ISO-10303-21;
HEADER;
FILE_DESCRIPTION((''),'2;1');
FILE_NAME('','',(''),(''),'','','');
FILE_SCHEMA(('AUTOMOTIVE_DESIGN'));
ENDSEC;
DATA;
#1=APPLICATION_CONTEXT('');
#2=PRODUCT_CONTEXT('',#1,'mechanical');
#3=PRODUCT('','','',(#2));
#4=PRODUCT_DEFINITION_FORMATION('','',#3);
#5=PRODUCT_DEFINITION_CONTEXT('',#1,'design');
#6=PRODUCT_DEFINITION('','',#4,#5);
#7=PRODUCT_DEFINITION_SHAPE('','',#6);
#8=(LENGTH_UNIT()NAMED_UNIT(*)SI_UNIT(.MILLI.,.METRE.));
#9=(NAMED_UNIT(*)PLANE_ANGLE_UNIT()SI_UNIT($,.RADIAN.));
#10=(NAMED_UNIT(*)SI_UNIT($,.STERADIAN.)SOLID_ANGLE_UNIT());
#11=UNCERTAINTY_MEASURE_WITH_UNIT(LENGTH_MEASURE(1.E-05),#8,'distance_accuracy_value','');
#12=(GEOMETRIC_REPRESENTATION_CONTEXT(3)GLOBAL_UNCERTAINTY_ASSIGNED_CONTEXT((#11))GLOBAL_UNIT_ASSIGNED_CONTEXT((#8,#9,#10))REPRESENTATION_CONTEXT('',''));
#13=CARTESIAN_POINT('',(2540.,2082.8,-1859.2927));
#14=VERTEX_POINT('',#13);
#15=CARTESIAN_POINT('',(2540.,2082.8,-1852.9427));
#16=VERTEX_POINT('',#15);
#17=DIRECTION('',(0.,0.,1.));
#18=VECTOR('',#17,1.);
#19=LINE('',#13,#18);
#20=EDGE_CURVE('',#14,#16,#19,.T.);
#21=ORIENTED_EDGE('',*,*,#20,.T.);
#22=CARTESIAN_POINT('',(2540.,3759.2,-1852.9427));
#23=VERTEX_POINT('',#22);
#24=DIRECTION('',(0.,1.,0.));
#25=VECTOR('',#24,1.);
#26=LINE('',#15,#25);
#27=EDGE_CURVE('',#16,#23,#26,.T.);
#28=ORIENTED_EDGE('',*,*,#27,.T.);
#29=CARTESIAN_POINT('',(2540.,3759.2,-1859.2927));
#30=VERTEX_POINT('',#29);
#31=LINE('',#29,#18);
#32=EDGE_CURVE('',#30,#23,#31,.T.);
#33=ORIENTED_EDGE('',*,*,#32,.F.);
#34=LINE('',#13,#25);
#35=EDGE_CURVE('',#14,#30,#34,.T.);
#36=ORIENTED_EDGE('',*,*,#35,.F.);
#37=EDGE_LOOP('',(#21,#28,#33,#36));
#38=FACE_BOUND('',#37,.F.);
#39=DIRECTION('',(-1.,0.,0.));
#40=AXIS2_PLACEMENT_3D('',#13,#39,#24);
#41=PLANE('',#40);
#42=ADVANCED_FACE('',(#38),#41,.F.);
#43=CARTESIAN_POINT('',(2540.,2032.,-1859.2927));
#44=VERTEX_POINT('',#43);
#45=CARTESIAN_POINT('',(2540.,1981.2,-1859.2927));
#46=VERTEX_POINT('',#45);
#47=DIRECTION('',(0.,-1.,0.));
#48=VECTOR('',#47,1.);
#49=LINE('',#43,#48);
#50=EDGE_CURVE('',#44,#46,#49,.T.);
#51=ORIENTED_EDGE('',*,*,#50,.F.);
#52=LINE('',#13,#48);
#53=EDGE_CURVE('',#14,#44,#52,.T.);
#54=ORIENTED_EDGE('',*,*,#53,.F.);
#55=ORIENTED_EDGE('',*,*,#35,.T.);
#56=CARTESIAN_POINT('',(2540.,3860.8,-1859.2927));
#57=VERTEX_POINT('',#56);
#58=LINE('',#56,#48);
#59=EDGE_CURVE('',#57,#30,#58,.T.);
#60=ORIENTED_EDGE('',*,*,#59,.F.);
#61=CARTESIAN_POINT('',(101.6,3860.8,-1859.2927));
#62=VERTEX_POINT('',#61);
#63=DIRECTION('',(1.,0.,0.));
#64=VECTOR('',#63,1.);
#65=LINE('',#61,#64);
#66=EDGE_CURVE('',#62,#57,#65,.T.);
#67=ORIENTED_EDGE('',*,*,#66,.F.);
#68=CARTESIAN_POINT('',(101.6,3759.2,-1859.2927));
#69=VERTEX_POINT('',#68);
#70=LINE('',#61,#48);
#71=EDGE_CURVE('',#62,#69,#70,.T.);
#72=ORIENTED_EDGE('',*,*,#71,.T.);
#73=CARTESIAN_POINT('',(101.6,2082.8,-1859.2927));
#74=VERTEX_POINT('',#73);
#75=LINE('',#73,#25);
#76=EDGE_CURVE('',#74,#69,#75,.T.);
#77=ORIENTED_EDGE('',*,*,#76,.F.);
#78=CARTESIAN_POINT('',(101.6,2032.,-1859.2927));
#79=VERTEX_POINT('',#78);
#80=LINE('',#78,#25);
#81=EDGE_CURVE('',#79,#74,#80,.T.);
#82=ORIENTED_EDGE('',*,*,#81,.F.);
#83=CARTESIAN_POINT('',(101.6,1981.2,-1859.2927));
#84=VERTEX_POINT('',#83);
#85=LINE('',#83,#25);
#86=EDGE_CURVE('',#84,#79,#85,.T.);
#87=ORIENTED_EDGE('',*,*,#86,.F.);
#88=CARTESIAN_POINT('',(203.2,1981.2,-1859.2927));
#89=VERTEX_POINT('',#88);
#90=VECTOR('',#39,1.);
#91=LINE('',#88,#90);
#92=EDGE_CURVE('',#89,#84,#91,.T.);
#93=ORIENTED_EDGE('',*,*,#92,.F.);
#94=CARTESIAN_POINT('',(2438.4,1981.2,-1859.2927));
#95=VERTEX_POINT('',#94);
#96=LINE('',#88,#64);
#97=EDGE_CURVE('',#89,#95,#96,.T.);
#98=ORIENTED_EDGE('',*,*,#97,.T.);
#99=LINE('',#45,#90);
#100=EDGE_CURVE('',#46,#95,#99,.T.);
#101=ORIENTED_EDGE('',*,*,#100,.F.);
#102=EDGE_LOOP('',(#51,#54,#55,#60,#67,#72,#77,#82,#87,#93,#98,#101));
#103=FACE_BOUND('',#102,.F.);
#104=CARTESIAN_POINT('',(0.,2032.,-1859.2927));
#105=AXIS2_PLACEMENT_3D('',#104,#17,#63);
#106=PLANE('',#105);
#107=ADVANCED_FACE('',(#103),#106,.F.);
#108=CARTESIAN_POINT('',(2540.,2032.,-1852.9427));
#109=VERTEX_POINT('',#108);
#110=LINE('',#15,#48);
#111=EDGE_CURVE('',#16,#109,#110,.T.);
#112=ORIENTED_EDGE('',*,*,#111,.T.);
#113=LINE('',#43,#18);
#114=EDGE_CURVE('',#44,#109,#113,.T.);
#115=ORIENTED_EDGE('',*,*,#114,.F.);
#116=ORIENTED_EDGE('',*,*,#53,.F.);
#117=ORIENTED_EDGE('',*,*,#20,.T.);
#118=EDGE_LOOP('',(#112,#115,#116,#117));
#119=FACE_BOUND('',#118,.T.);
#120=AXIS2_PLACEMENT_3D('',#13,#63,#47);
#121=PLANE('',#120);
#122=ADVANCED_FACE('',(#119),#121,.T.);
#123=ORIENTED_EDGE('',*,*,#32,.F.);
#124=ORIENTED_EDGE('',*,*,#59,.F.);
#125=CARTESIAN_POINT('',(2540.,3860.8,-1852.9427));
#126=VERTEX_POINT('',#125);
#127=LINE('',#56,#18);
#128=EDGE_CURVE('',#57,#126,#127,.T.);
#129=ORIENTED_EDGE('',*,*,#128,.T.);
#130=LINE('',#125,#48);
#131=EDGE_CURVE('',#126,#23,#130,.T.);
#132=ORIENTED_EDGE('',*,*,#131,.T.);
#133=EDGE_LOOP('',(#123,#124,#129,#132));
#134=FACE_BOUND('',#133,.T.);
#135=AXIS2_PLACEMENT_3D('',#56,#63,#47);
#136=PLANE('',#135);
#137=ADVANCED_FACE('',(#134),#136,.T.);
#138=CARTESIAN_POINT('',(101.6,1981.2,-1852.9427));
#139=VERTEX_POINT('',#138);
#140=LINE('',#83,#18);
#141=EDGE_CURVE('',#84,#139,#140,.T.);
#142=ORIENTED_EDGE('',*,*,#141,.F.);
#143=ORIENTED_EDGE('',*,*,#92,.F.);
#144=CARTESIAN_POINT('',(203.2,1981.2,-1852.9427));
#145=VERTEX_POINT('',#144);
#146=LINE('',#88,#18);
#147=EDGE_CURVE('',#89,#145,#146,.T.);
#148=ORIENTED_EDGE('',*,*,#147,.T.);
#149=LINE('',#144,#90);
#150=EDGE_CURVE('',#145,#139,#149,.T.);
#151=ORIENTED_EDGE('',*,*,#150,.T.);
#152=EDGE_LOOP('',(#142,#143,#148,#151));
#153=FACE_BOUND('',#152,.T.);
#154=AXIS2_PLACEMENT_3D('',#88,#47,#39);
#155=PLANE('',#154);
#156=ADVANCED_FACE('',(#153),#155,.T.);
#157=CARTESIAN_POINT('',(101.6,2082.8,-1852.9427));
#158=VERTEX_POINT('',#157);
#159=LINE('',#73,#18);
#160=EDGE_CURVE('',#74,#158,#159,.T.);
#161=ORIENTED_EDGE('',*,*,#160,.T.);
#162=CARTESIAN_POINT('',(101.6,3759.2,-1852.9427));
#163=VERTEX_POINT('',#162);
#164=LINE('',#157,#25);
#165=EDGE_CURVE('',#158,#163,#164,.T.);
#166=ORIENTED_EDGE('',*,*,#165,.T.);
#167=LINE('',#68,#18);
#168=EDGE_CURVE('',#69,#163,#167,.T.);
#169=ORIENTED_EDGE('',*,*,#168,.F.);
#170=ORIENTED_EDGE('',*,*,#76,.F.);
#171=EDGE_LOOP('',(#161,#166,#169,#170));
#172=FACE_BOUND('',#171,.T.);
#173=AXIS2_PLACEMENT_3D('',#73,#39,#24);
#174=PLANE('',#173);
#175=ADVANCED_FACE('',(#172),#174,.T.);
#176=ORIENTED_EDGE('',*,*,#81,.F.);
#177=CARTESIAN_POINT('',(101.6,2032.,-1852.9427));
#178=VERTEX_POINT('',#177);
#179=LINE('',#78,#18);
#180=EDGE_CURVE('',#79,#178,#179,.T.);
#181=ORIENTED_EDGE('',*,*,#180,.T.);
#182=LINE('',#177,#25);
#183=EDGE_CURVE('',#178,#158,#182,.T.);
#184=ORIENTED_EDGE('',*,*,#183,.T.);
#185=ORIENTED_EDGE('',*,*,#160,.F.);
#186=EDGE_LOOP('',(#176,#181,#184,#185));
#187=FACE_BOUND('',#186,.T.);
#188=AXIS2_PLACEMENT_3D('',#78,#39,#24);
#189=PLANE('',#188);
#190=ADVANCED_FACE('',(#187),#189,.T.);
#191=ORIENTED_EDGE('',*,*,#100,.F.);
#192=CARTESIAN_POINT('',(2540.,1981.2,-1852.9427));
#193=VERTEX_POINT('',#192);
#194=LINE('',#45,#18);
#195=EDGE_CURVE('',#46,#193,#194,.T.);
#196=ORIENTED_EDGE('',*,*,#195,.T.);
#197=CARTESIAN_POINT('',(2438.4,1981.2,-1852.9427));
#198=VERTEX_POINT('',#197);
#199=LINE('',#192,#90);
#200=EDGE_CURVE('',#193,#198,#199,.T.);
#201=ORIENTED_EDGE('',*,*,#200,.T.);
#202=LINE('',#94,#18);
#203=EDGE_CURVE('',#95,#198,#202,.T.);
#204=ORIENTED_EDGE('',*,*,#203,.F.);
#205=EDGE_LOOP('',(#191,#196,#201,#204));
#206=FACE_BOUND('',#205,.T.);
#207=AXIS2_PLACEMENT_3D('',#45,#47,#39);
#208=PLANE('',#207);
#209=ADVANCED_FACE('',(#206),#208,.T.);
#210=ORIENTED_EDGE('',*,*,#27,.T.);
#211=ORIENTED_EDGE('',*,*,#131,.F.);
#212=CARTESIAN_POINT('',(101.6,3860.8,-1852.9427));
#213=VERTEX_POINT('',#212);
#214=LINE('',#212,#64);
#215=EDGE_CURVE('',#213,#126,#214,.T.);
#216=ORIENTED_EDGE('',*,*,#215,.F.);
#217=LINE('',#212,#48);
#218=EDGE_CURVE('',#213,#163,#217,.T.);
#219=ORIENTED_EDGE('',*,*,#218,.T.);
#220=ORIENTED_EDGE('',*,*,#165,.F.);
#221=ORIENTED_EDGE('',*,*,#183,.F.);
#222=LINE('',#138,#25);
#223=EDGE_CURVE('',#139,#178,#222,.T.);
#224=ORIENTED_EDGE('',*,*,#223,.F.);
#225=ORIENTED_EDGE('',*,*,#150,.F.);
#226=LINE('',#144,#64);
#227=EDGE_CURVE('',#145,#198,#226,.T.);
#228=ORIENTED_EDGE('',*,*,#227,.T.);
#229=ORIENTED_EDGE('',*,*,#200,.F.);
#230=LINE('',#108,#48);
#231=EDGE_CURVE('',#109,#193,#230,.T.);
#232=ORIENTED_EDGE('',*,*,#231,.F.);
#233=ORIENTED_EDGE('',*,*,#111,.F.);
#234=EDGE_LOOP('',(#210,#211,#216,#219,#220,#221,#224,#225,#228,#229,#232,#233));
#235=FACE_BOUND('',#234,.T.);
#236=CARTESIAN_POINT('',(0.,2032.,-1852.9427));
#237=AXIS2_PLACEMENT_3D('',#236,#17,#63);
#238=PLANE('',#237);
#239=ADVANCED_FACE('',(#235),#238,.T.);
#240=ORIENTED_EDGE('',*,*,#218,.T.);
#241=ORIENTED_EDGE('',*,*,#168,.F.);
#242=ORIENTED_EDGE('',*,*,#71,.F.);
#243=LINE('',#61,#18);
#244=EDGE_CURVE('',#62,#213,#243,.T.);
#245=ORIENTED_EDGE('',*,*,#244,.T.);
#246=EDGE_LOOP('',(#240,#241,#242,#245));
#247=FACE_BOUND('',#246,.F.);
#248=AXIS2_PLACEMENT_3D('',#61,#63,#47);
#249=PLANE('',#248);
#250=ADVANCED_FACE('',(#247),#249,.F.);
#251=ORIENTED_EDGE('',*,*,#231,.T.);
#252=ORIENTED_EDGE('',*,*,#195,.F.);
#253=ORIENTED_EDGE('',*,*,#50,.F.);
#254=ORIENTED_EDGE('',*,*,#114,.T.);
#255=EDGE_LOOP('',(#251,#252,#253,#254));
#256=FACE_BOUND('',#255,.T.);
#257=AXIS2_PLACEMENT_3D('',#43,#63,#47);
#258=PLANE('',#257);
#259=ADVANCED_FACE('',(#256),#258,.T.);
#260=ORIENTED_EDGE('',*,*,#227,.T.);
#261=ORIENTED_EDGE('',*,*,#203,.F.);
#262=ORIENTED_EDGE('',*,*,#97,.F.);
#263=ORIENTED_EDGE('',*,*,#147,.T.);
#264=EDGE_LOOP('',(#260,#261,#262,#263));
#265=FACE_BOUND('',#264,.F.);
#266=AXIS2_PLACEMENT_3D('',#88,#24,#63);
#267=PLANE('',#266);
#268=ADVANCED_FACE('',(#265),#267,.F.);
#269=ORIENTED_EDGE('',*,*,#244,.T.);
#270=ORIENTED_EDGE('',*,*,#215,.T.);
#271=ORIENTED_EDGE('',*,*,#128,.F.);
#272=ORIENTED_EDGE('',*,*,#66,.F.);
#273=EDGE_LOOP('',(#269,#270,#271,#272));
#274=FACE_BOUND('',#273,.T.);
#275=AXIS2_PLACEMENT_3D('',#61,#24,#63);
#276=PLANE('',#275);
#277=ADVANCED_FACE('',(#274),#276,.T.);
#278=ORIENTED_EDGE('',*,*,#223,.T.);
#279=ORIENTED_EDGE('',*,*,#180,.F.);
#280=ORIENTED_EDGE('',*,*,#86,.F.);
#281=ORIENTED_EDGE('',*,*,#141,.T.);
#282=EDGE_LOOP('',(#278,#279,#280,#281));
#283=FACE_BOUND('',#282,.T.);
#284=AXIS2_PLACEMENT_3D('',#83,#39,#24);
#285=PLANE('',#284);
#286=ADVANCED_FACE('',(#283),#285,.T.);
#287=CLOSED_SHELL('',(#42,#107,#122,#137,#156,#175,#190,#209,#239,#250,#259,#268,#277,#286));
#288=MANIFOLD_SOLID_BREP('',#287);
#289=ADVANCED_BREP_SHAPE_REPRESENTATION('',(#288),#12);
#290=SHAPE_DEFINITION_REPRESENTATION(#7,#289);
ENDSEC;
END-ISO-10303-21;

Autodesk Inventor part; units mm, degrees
ref_plane "YZ Plane" through (0, 0, 0) normal (1, 0, 0) x (0, 1, 0)
ref_plane "XZ Plane" through (0, 0, 0) normal (0, 1, 0) x (-1, 0, 0)
ref_plane "XY Plane" through (0, 0, 0) normal (0, 0, 1) x (1, 0, 0)
ref_plane "Work Plane1" through (0, 2032, -1859.2927) normal (0, 0, 1) x (1, 0, 0)
sketch "Sketch1" plane through (0, 2032, -1859.2927) normal (0, 0, 1) x (1, 0, 0)
  line L0 (203.2, -50.8) -> (2438.4, -50.8) projected
  line L1 (203.2, -50.8) -> (101.6, -50.8) projected
  line L2 (101.6, -50.8) -> (101.6, 0) projected
  line L3 (101.6, 0) -> (101.6, 50.8) projected
  line L4 (101.6, 50.8) -> (101.6, 1727.2) projected
  line L5 (101.6, 1828.8) -> (101.6, 1727.2) projected
  line L6 (101.6, 1828.8) -> (2540, 1828.8) projected
  line L7 (2540, 1828.8) -> (2540, 1727.2) projected
  line L8 (2540, 50.8) -> (2540, 1727.2) projected
  line L9 (2540, 50.8) -> (2540, 0) projected
  line L10 (2540, 0) -> (2540, -50.8) projected
  line L11 (2540, -50.8) -> (2438.4, -50.8) projected
  point P0 (0, -2032)
  point P1 (101.6, 1727.2)
  point P2 (101.6, 50.8)
extrude "Extrusion1" add sketch "Sketch1" along normal blind 6.35
properties part number "paperbodyfront"
